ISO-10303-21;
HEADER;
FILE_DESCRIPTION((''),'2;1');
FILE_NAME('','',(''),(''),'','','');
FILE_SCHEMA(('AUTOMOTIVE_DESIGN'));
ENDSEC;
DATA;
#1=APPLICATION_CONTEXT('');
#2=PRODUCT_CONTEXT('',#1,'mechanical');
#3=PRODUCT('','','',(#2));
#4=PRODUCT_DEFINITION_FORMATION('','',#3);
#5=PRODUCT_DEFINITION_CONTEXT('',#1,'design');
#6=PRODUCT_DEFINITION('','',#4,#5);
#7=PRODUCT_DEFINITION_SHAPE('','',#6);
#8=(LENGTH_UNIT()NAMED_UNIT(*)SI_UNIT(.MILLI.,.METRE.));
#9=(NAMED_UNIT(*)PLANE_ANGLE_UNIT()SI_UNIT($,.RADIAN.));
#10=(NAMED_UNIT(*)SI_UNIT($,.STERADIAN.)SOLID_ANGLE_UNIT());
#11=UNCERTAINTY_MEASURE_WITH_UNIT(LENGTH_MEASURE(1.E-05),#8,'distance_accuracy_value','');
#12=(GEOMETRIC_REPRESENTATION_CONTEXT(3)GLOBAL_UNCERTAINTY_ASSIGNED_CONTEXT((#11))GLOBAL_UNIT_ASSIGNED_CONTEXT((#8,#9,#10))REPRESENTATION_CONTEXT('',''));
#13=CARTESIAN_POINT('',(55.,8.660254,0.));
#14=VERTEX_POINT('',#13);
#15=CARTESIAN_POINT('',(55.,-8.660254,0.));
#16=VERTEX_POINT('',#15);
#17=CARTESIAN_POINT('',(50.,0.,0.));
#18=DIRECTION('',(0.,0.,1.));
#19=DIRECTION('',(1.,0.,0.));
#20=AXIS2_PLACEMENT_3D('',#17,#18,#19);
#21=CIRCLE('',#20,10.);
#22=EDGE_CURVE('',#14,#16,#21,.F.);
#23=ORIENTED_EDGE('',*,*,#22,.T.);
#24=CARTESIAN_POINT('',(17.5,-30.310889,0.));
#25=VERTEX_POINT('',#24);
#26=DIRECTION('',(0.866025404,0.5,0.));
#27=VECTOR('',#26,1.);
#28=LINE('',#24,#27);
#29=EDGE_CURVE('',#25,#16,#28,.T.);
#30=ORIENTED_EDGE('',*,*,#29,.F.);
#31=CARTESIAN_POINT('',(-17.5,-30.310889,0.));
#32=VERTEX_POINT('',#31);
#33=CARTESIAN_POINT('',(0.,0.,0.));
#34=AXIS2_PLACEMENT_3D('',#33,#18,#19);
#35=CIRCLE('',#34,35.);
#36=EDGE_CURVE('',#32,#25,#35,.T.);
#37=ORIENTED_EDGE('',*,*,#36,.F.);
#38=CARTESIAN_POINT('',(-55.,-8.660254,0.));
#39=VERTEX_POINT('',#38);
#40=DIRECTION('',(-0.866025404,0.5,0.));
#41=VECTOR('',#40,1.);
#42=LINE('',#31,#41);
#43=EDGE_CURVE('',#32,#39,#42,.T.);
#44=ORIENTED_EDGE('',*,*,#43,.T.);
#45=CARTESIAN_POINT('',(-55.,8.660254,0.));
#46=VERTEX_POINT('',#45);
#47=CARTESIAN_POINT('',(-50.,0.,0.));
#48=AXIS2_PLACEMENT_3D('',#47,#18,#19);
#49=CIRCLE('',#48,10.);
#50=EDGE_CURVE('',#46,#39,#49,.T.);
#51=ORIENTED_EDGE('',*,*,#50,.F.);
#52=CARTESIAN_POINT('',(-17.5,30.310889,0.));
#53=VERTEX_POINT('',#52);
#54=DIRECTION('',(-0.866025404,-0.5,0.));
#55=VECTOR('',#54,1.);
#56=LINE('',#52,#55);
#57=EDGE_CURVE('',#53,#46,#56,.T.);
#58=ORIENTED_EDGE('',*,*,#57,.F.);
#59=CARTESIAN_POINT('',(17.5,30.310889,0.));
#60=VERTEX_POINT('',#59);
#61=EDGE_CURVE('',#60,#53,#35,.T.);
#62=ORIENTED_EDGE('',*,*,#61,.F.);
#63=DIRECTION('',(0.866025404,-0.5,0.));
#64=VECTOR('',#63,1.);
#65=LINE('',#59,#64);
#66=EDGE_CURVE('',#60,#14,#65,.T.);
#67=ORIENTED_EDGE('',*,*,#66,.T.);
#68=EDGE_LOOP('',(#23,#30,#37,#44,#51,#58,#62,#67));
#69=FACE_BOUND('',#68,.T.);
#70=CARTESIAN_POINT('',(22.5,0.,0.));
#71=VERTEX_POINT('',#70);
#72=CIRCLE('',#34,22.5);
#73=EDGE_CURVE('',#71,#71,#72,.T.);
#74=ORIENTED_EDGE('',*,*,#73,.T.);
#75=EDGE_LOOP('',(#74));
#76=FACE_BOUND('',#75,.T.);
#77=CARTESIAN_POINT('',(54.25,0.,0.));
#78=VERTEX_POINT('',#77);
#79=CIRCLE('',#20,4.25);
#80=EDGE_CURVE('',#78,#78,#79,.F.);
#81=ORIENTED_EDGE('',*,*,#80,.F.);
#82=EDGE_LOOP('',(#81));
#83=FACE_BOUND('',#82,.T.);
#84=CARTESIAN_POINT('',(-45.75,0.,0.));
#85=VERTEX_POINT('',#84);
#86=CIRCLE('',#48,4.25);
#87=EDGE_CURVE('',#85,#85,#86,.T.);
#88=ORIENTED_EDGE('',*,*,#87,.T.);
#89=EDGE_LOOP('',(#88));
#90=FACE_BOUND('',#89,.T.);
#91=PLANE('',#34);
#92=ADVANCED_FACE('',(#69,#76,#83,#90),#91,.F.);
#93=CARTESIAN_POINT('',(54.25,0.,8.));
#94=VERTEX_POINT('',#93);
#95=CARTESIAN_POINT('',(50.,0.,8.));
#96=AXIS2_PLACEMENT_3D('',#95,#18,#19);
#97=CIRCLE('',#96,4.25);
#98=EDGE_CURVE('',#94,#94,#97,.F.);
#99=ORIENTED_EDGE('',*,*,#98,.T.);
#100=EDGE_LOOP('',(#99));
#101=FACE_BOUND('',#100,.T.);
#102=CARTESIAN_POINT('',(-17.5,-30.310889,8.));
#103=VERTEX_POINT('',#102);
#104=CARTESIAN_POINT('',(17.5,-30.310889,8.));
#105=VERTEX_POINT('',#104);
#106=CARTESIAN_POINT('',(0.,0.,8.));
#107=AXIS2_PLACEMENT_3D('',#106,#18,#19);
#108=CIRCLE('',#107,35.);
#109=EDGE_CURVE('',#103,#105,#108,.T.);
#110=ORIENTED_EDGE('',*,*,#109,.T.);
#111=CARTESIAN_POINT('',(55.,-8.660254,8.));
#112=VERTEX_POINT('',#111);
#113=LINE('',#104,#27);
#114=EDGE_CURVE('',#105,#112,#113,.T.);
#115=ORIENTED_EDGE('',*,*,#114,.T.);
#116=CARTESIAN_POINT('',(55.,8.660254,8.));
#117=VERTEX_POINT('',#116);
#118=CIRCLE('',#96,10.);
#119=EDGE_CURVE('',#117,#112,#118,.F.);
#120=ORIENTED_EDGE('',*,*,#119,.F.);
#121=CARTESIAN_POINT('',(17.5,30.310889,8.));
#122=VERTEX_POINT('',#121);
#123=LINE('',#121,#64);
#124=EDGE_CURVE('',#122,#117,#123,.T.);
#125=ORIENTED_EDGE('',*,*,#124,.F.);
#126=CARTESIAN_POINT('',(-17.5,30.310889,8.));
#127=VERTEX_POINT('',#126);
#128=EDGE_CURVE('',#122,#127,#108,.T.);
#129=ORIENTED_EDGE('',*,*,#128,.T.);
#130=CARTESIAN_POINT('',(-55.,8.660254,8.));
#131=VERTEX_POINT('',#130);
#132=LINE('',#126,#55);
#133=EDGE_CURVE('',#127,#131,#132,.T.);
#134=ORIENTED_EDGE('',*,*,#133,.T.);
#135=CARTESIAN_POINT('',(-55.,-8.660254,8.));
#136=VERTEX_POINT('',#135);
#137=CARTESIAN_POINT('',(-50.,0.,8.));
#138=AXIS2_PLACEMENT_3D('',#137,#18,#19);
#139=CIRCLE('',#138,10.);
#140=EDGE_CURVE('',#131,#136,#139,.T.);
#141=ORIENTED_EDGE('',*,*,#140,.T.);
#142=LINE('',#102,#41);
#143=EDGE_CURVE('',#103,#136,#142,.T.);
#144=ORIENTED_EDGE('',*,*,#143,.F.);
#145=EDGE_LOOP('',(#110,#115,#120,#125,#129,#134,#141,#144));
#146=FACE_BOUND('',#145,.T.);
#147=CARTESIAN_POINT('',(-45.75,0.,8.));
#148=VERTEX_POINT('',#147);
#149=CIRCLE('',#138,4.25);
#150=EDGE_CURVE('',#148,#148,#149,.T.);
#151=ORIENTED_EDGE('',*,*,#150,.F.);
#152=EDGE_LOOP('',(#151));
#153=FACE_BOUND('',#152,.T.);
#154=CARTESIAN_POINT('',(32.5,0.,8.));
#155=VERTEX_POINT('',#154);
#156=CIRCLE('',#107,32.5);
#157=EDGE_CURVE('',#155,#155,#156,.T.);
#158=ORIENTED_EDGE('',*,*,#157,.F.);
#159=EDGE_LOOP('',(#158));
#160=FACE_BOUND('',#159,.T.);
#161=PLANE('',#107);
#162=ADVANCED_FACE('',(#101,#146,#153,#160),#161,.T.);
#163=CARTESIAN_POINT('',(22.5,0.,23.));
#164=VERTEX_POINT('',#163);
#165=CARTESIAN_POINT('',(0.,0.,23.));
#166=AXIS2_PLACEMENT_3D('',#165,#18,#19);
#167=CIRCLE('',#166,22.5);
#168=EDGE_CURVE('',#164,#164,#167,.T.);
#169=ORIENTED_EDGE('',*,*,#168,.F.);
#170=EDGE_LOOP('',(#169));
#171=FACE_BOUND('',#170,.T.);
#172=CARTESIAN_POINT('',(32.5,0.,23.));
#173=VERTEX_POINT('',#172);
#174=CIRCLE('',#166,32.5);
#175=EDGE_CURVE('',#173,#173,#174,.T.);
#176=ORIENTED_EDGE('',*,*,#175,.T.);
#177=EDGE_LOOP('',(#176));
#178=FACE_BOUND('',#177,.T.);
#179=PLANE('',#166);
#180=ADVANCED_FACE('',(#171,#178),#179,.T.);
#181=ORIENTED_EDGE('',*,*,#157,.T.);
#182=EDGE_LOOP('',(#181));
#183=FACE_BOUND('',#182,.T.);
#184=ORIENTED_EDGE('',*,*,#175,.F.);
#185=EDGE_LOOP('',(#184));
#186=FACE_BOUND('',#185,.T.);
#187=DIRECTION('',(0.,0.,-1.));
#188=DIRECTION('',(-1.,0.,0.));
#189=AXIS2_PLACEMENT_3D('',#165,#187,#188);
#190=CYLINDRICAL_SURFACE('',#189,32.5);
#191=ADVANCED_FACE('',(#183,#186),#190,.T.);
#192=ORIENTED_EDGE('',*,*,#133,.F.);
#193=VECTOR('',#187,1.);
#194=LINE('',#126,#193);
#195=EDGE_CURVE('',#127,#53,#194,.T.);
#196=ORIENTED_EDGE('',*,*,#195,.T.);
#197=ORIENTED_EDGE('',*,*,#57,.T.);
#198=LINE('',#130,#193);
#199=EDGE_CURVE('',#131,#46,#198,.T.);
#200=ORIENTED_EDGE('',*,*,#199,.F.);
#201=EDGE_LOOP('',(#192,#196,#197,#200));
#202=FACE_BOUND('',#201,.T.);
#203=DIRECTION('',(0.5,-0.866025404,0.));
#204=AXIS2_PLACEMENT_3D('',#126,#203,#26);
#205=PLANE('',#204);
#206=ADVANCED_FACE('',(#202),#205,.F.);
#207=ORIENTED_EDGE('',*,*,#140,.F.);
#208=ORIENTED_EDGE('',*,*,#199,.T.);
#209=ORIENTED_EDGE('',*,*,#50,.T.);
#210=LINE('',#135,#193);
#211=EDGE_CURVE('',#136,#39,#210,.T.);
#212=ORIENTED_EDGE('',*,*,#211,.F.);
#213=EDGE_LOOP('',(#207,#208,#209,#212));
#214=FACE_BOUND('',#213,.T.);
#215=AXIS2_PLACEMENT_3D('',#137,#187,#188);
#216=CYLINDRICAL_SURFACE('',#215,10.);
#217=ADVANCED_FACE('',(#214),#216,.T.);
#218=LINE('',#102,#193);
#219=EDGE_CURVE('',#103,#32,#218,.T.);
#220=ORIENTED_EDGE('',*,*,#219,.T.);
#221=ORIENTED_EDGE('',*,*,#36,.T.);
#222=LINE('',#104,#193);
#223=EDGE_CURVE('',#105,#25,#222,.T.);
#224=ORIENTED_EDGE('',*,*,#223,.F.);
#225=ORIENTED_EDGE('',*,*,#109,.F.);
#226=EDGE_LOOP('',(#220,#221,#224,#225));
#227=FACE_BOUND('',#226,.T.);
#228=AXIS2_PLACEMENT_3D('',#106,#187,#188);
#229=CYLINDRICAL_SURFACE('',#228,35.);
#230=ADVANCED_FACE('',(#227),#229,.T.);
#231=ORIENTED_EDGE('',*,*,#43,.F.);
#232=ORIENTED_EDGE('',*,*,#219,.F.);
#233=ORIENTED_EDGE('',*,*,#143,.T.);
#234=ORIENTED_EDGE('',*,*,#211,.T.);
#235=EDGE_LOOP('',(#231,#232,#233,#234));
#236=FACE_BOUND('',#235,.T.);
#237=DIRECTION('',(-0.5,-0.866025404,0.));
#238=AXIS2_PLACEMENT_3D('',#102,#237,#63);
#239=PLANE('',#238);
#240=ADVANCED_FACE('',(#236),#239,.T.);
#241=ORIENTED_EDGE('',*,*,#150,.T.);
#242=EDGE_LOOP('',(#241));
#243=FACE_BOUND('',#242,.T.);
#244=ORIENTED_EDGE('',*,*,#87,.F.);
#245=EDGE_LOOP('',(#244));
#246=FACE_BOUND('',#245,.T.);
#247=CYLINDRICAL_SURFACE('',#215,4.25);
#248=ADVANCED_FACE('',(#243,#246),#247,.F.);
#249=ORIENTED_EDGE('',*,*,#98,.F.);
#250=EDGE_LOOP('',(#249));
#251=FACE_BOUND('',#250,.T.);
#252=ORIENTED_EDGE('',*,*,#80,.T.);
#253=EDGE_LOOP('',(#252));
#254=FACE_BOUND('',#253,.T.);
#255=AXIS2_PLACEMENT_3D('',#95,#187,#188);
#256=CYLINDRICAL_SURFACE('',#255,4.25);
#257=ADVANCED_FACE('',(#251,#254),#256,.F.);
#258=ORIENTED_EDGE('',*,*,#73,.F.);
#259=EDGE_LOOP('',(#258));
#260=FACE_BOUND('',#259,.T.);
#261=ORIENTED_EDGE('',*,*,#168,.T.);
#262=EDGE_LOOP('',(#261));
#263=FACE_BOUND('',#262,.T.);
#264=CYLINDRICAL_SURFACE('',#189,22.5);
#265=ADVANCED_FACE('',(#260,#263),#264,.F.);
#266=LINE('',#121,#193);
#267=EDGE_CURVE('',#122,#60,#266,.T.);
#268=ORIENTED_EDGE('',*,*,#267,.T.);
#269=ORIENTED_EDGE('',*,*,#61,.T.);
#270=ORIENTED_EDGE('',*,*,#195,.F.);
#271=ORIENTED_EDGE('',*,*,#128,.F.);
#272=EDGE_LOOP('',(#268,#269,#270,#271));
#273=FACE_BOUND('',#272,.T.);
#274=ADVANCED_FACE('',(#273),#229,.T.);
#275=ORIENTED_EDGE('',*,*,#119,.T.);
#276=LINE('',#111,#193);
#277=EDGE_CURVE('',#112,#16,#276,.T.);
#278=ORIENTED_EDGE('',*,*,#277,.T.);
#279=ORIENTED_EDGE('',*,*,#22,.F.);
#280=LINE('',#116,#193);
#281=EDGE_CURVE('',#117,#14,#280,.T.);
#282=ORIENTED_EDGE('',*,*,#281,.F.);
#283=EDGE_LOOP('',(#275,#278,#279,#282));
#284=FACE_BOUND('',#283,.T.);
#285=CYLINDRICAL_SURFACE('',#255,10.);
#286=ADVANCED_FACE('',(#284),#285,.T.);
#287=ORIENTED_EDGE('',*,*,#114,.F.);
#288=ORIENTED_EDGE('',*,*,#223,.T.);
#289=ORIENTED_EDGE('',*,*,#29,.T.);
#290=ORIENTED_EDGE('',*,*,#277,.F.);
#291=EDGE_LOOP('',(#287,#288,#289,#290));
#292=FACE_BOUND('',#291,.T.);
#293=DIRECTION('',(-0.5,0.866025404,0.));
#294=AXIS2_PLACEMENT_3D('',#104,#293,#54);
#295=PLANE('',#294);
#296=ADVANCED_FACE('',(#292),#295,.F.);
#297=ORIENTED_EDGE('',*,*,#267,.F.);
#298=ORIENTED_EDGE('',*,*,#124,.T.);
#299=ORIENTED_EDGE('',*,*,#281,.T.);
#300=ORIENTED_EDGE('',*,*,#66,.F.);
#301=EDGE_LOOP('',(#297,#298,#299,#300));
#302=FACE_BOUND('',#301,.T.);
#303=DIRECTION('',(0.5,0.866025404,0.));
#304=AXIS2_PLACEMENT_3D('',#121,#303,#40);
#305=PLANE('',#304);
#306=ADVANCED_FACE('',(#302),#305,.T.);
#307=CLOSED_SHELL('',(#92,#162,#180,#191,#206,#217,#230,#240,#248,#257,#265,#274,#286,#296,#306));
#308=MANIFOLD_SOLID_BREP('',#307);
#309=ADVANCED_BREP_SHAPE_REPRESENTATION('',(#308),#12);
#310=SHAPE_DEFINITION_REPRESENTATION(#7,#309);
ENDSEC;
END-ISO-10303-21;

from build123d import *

# Parameters (mm, degrees)
SKETCH2_R           = 4.25
SKETCH2_R_2         = 32.5
BOSS_EXTRUDE1_DEPTH = 8
SKETCH2_4_R         = 32.5
SKETCH2_4_R_2       = 22.5
BOSS_EXTRUDE2_DEPTH = 23


with BuildPart() as part:
    # Sketch2 → Boss-Extrude1 (new body)
    with BuildSketch(Plane.XY):
        with BuildLine():
            ThreePointArc((17.5, 30.310889132), (0, 35), (-17.5, 30.310889132))
            Line((-17.5, 30.310889132), (-55, 8.660254038))
            ThreePointArc((-55, 8.660254038), (-60, 0), (-55, -8.660254038))
            Line((-55, -8.660254038), (-17.5, -30.310889132))
            ThreePointArc((-17.5, -30.310889132), (0, -35), (17.5, -30.310889132))
            Line((17.5, -30.310889132), (55, -8.660254038))
            ThreePointArc((55, -8.660254038), (60, 0), (55, 8.660254038))
            Line((55, 8.660254038), (17.5, 30.310889132))
        make_face()
        with Locations((-50, 0)):
            Circle(SKETCH2_R, mode=Mode.SUBTRACT)
        Circle(SKETCH2_R_2, mode=Mode.SUBTRACT)
        with Locations((50, 0)):
            Circle(SKETCH2_R, mode=Mode.SUBTRACT)
    extrude(amount=BOSS_EXTRUDE1_DEPTH)

    # Sketch2<4> → Boss-Extrude2 (add)
    with BuildSketch(Plane.XY):
        Circle(SKETCH2_4_R)
        Circle(SKETCH2_4_R_2, mode=Mode.SUBTRACT)
    extrude(amount=BOSS_EXTRUDE2_DEPTH)


solid = part.part
